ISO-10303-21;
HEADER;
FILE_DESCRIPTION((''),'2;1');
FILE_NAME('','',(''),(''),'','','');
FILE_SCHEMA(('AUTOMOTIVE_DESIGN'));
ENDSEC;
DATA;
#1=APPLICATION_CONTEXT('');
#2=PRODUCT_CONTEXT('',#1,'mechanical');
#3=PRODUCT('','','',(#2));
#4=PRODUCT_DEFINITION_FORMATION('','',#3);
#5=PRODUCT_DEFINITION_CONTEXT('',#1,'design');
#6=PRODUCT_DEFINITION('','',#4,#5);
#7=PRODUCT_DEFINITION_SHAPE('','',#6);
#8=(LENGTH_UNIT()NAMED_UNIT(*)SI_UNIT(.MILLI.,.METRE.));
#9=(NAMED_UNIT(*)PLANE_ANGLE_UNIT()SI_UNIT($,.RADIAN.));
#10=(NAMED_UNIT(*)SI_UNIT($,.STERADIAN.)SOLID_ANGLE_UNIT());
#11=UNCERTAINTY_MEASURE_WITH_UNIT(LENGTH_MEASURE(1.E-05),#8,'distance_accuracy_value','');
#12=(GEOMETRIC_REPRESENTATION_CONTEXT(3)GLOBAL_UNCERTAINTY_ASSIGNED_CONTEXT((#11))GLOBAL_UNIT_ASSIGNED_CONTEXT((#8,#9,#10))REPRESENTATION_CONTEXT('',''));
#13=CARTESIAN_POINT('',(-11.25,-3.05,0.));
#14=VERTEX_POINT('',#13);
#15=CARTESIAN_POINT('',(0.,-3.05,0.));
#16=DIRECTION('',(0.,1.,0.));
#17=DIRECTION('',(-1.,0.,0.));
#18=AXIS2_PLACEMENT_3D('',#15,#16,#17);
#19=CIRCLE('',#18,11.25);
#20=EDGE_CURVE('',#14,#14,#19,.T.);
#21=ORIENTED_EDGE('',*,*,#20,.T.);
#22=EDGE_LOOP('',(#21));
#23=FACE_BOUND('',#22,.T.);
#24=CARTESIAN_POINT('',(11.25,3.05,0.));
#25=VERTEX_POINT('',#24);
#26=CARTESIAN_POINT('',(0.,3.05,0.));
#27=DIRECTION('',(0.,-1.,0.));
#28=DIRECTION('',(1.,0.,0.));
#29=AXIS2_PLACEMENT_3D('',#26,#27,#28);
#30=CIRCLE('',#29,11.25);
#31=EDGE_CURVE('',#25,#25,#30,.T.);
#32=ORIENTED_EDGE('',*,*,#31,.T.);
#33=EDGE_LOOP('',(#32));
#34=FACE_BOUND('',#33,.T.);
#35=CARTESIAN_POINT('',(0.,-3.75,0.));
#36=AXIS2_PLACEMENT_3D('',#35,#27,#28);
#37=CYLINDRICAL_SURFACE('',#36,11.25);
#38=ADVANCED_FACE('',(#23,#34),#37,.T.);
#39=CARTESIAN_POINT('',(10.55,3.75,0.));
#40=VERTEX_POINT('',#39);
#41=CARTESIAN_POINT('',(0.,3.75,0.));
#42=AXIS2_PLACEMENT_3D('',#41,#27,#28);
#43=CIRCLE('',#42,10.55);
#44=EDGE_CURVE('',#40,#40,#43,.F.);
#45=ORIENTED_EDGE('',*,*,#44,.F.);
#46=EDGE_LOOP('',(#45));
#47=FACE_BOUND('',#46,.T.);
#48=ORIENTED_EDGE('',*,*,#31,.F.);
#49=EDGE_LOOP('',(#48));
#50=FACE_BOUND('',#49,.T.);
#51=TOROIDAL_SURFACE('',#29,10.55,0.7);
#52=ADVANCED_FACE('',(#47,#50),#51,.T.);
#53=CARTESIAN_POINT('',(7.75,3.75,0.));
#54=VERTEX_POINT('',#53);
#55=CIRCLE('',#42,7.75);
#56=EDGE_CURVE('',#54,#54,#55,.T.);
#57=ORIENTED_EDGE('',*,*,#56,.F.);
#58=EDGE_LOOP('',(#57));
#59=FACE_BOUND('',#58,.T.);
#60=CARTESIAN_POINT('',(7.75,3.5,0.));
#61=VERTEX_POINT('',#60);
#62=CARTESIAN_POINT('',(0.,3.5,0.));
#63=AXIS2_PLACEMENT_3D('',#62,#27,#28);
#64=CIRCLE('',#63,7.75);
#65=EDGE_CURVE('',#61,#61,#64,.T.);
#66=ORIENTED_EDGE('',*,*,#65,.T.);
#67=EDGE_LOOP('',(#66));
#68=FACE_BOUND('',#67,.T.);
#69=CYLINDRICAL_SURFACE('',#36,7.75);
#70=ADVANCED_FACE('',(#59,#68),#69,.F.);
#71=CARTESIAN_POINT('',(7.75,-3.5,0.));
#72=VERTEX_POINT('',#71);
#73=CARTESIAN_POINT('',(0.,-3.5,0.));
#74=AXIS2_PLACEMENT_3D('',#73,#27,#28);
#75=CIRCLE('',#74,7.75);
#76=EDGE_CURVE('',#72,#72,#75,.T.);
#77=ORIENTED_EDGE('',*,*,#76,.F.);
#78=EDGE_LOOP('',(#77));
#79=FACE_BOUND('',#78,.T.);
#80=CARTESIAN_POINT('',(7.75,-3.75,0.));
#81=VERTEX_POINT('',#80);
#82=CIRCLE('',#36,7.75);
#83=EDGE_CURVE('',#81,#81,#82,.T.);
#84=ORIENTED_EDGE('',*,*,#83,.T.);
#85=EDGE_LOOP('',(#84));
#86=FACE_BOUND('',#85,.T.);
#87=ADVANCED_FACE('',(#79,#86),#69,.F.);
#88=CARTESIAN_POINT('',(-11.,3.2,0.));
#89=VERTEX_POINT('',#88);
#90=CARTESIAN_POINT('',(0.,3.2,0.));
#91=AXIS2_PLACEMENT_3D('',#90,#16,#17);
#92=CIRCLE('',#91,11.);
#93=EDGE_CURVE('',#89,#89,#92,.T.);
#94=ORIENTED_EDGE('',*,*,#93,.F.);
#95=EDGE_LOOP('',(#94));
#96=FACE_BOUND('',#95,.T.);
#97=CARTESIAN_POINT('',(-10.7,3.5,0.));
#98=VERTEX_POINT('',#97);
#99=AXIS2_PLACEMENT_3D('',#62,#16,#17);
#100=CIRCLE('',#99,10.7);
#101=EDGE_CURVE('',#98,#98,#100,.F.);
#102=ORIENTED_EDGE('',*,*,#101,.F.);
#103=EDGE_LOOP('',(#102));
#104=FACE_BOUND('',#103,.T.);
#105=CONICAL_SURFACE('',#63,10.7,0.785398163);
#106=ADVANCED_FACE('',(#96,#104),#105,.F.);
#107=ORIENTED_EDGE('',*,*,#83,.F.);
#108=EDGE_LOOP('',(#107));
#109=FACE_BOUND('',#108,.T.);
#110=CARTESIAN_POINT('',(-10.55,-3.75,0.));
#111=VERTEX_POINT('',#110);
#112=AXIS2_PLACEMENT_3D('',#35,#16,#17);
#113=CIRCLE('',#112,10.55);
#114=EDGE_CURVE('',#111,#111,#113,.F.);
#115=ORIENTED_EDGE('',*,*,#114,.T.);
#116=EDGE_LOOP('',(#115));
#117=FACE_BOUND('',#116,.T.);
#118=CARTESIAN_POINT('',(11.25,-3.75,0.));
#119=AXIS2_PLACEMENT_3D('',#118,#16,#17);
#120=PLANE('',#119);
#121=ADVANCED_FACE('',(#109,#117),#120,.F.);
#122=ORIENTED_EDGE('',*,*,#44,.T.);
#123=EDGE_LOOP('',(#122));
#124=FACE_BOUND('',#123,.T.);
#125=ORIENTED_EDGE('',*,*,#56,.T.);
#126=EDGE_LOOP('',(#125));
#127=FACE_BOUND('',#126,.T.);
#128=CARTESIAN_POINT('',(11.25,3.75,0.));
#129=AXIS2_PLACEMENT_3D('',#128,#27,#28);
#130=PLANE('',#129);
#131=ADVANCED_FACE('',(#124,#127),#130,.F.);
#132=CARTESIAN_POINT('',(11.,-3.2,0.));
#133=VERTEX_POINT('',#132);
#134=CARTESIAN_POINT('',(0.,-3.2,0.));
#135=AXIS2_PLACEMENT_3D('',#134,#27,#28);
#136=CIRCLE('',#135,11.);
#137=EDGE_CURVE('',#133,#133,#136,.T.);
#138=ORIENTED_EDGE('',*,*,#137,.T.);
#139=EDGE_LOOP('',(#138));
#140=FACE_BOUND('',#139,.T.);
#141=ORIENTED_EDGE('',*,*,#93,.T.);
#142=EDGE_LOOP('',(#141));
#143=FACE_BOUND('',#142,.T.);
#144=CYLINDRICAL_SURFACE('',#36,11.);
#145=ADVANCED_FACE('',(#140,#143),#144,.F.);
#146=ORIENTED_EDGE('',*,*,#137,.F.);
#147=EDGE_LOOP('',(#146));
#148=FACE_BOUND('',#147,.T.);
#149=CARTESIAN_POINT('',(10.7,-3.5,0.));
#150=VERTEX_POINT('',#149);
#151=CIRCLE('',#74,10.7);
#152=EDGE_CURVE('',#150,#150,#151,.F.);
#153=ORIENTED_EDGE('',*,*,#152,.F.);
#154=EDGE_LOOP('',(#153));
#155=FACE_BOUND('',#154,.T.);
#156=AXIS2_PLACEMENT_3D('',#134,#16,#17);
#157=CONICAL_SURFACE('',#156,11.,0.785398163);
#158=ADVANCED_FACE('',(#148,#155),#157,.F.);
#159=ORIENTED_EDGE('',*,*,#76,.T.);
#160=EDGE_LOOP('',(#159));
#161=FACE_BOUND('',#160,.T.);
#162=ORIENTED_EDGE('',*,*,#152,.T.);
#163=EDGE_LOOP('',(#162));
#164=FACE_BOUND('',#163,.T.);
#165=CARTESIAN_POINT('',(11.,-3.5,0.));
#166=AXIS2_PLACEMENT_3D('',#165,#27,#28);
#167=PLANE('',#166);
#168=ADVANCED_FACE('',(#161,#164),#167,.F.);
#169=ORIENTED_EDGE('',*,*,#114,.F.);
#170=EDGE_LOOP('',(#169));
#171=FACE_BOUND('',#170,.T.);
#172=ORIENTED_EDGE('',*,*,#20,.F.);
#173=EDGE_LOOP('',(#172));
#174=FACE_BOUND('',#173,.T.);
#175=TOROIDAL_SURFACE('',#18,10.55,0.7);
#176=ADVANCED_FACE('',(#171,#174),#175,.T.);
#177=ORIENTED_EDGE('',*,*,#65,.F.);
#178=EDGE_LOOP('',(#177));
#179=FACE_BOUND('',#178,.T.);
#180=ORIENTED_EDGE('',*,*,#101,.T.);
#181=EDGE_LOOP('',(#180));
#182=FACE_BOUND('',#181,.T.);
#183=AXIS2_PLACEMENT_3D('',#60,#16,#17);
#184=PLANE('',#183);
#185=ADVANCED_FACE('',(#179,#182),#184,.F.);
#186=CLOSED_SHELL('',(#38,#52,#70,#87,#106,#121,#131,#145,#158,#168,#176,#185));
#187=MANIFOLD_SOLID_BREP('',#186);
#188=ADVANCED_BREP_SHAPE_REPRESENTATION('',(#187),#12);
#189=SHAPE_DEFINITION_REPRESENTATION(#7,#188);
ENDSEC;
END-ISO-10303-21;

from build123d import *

# Parameters (mm, degrees)
FILLET2_R     = 0.7
CHAMFER1_SIZE = 0.3


with BuildPart() as part:
    # Sketch1 → Revolve1 (revolve)
    with BuildSketch(Plane.XY, mode=Mode.PRIVATE) as revolve1_sk:
        Polygon((-11.25, 3.75), (-11.25, -3.75), (-7.75, -3.75), (-7.75, -3.5), (-11, -3.5), (-11, 3.5), (-7.75, 3.5), (-7.75, 3.75), align=None)
    revolve(revolve1_sk.sketch.rotate(Axis((0, -3.75, 0), (0, 1, 0)), 180), axis=Axis((0, -3.75, 0), (0, 1, 0)))

    # Fillet2
    fillet2_edges = [part.edges().sort_by_distance(p)[0] for p in [
        (-11.25, 3.75, 0),
        (-11.25, -3.75, 0),
    ]]
    fillet(fillet2_edges, radius=FILLET2_R)

    # Chamfer1
    chamfer1_edges = [part.edges().sort_by_distance(p)[0] for p in [
        (-11, -3.5, 0),
        (-11, 3.5, 0),
    ]]
    chamfer(chamfer1_edges, length=CHAMFER1_SIZE)


solid = part.part
